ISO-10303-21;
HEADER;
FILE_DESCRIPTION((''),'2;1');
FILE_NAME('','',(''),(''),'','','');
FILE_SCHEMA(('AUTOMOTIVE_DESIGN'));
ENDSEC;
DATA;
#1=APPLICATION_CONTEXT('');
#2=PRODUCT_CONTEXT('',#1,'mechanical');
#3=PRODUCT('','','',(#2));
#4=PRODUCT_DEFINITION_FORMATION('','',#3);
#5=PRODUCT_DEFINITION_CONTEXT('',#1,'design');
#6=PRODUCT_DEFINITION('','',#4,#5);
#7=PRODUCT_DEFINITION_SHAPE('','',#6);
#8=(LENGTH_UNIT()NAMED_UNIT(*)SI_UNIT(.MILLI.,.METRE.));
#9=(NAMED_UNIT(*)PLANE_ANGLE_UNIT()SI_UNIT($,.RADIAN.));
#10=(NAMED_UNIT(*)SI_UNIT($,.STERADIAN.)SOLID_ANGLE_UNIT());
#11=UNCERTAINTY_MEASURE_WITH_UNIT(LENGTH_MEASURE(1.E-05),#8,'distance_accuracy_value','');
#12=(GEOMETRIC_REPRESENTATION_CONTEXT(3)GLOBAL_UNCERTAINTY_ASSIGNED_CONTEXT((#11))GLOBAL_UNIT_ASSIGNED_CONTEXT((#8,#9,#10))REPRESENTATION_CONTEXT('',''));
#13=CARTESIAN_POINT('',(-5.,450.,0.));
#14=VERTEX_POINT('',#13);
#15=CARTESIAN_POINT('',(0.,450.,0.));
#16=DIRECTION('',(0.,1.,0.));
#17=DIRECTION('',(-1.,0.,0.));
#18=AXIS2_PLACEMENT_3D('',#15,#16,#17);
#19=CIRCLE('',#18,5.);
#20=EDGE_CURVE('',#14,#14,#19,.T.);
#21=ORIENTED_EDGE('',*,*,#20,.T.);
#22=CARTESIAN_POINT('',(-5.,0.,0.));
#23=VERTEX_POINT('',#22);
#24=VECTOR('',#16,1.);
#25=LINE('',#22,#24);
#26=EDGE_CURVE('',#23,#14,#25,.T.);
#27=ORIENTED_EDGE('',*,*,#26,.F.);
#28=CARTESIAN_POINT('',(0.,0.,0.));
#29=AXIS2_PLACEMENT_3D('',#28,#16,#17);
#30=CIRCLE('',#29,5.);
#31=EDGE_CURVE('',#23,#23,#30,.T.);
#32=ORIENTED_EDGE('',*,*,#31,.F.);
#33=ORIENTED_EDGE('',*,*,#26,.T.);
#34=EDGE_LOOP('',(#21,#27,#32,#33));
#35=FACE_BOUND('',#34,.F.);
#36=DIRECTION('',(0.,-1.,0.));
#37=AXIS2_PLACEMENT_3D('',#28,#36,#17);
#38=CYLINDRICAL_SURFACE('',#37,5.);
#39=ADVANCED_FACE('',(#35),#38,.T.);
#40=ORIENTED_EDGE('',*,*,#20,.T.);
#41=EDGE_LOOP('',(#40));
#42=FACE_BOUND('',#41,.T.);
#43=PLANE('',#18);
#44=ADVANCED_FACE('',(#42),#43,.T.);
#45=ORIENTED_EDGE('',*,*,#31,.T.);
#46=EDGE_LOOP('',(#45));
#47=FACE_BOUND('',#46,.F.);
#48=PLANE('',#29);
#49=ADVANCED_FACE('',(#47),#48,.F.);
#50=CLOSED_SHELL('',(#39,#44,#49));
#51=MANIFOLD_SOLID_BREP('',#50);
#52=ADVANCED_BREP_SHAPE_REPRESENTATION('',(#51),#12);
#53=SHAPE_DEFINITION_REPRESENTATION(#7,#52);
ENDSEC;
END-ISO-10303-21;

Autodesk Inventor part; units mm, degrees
ref_plane "YZ Plane" through (0, 0, 0) normal (1, 0, 0) x (0, 1, 0)
ref_plane "XZ Plane" through (0, 0, 0) normal (0, 1, 0) x (-1, 0, 0)
ref_plane "XY Plane" through (0, 0, 0) normal (0, 0, 1) x (1, 0, 0)
sketch "Sketch1" plane through (0, 0, 0) normal (0, 1, 0) x (-1, 0, 0)
  circle A0 centre (0, 0) radius 5
  dimension "d0" = 10
extrude "Extrusion1" add sketch "Sketch1" along normal blind 450
properties part number "500mm M10"
